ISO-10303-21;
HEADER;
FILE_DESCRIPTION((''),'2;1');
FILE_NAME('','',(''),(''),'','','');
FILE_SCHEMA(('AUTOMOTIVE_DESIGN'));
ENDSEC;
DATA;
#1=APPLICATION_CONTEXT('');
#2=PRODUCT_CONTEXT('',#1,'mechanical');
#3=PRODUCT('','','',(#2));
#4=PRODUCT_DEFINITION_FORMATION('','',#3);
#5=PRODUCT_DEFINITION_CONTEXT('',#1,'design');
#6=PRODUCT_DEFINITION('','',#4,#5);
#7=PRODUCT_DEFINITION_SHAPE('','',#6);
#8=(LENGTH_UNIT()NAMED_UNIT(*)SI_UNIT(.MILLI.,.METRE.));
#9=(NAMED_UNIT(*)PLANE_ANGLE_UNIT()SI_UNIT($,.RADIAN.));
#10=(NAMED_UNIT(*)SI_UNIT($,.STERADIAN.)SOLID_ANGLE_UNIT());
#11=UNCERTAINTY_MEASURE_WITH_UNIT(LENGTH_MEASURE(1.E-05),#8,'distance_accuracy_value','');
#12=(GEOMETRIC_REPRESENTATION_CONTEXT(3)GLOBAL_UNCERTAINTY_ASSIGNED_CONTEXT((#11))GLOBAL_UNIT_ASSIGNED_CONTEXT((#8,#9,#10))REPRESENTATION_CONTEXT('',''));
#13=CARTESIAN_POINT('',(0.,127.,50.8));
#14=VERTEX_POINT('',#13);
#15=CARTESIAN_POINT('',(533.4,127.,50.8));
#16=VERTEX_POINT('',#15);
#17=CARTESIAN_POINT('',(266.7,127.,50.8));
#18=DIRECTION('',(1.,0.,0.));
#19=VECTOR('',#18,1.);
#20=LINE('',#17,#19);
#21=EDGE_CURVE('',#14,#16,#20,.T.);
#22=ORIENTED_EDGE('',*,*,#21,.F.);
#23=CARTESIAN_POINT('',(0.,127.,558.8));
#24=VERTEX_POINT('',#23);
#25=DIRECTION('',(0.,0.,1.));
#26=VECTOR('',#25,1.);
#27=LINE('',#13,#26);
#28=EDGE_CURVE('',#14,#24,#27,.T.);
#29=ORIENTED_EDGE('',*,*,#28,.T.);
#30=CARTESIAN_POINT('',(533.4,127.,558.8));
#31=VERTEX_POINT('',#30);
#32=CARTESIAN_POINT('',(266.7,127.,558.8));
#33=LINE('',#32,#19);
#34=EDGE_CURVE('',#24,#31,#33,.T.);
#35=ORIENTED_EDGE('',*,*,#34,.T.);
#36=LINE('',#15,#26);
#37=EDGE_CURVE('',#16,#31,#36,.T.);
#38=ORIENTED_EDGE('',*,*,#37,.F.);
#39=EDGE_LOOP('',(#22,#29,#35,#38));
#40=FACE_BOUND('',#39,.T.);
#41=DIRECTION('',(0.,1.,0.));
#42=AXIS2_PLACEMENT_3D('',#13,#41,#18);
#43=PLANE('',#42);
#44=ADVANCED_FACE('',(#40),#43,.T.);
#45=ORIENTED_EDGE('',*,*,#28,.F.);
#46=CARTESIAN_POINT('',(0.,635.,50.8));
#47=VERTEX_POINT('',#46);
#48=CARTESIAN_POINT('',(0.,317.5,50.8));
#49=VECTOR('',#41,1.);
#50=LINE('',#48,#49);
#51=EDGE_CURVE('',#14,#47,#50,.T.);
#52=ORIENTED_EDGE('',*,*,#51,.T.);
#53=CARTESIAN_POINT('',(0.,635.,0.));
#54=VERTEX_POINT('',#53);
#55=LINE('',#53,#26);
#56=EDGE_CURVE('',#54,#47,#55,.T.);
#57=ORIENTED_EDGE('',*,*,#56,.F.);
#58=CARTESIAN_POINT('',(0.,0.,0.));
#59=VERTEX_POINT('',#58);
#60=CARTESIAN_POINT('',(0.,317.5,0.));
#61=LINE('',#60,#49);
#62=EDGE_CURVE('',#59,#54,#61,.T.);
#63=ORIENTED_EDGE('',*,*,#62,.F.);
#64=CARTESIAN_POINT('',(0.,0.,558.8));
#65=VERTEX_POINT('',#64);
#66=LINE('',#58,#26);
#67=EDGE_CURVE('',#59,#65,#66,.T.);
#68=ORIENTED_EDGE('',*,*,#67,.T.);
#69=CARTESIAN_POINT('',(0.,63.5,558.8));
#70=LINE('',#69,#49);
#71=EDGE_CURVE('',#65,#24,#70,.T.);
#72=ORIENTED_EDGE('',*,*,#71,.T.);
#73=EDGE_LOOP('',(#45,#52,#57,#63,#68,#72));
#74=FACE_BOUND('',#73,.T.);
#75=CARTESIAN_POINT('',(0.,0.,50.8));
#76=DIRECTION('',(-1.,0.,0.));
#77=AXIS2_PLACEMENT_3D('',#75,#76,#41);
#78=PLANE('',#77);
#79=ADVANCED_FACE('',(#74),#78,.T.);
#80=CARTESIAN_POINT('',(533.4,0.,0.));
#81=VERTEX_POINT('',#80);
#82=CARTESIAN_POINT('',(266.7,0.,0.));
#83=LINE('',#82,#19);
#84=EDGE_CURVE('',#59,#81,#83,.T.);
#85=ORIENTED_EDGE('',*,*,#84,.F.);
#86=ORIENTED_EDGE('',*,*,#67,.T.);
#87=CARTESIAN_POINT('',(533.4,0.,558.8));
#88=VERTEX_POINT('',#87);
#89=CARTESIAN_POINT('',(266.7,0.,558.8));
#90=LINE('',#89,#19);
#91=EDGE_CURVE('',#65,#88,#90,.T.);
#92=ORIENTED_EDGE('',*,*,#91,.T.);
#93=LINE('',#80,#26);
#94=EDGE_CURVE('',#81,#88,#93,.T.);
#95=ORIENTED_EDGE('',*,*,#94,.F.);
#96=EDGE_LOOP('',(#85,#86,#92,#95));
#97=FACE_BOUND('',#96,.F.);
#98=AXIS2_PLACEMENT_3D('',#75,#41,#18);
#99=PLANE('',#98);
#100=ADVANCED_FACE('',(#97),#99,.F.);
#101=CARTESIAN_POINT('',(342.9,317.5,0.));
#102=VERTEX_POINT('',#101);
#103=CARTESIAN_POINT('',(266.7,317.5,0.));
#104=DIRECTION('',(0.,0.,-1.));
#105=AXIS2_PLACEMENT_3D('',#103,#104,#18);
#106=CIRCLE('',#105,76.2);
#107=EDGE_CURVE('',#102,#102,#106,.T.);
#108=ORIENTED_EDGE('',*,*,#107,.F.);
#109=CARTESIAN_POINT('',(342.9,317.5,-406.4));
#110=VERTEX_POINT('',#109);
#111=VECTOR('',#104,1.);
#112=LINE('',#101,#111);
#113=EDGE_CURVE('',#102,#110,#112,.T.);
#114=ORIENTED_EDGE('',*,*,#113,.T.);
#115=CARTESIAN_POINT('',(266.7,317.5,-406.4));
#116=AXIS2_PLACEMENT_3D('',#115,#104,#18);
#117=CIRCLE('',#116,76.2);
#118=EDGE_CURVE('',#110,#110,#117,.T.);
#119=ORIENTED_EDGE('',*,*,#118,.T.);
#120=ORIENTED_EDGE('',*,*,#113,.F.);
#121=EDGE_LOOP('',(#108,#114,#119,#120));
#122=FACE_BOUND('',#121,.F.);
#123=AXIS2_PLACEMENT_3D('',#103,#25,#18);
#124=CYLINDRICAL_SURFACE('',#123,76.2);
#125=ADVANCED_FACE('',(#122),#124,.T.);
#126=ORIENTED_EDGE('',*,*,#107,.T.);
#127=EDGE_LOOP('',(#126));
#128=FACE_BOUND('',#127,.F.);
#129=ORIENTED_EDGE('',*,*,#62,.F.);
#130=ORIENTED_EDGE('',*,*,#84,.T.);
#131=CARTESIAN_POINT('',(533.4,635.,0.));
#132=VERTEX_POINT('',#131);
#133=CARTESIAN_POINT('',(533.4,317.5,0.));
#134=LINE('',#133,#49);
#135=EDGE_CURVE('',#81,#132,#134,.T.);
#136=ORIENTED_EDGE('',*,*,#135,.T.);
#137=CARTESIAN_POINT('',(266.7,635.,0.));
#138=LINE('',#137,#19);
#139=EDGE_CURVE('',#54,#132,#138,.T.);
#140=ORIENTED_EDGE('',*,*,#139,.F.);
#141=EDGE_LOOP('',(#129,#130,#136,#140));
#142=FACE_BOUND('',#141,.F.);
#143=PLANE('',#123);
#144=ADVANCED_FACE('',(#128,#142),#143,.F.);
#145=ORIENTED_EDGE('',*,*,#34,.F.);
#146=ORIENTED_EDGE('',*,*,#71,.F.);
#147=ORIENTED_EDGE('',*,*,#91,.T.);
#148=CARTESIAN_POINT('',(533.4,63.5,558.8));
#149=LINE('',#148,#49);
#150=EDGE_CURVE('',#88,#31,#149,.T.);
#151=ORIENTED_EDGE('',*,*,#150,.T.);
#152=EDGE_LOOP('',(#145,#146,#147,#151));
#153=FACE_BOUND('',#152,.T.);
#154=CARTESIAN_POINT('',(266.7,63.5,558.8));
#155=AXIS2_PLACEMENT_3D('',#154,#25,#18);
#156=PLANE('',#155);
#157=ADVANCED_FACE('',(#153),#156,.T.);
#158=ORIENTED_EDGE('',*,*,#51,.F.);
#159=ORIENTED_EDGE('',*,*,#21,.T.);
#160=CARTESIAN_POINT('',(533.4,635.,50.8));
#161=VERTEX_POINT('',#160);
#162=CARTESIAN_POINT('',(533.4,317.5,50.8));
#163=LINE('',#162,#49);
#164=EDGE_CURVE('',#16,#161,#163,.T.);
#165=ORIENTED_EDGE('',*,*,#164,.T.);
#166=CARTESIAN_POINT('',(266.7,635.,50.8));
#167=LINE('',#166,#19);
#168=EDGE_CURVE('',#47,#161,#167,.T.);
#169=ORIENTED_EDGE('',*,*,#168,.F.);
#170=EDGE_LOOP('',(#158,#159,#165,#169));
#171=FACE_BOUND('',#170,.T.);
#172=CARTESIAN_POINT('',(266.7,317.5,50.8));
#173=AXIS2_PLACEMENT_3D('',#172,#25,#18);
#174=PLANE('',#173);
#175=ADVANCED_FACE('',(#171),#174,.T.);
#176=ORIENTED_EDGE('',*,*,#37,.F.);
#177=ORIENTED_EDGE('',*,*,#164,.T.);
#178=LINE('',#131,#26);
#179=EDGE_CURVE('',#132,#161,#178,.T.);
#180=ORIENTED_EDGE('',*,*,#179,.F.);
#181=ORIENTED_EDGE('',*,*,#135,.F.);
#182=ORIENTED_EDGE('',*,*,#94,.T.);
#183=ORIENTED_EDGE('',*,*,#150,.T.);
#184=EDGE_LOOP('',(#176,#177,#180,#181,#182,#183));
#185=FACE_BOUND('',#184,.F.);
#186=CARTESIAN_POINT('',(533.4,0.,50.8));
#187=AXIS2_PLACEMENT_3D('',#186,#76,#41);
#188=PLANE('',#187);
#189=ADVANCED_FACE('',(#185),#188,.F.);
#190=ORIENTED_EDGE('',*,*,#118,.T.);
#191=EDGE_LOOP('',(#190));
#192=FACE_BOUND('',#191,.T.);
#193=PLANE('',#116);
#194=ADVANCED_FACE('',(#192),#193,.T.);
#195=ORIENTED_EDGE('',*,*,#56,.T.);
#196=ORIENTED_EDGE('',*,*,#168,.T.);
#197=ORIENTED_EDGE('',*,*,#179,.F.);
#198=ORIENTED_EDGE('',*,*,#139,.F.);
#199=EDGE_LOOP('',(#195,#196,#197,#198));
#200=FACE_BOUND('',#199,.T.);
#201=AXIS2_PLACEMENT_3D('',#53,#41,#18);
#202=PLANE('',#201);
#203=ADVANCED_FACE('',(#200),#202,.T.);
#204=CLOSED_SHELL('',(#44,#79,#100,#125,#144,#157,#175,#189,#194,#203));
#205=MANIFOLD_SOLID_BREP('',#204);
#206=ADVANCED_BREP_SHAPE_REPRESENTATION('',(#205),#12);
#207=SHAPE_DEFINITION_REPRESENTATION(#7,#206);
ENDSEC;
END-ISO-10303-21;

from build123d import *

# Parameters (mm, degrees)
F0_W     = 533.4
F0_H     = 635
F1_DEPTH = 50.8
F2_W     = 533.4
F2_H     = 127
F3_DEPTH = 508
F4_R     = 76.2
F5_DEPTH = 406.4


with BuildPart() as f1:
    # F0 (on Top) → F1 (new body)
    with BuildSketch(Plane.XY):
        with Locations((266.7, 317.5)):
            Rectangle(F0_W, F0_H)
    extrude(amount=F1_DEPTH)

    # F2 (on face) → F3 (join)
    with BuildSketch(Plane.XY.offset(50.8)):
        with Locations((266.7, 63.5)):
            Rectangle(F2_W, F2_H)
    extrude(amount=F3_DEPTH)

    # F4 (on face) → F5 (join)
    with BuildSketch(Plane(origin=(0, 0, 0), x_dir=(1, 0, 0), z_dir=(0, 0, -1))):
        with Locations((266.7, -317.5)):
            Circle(F4_R)
    extrude(amount=F5_DEPTH)


solid = f1.part
